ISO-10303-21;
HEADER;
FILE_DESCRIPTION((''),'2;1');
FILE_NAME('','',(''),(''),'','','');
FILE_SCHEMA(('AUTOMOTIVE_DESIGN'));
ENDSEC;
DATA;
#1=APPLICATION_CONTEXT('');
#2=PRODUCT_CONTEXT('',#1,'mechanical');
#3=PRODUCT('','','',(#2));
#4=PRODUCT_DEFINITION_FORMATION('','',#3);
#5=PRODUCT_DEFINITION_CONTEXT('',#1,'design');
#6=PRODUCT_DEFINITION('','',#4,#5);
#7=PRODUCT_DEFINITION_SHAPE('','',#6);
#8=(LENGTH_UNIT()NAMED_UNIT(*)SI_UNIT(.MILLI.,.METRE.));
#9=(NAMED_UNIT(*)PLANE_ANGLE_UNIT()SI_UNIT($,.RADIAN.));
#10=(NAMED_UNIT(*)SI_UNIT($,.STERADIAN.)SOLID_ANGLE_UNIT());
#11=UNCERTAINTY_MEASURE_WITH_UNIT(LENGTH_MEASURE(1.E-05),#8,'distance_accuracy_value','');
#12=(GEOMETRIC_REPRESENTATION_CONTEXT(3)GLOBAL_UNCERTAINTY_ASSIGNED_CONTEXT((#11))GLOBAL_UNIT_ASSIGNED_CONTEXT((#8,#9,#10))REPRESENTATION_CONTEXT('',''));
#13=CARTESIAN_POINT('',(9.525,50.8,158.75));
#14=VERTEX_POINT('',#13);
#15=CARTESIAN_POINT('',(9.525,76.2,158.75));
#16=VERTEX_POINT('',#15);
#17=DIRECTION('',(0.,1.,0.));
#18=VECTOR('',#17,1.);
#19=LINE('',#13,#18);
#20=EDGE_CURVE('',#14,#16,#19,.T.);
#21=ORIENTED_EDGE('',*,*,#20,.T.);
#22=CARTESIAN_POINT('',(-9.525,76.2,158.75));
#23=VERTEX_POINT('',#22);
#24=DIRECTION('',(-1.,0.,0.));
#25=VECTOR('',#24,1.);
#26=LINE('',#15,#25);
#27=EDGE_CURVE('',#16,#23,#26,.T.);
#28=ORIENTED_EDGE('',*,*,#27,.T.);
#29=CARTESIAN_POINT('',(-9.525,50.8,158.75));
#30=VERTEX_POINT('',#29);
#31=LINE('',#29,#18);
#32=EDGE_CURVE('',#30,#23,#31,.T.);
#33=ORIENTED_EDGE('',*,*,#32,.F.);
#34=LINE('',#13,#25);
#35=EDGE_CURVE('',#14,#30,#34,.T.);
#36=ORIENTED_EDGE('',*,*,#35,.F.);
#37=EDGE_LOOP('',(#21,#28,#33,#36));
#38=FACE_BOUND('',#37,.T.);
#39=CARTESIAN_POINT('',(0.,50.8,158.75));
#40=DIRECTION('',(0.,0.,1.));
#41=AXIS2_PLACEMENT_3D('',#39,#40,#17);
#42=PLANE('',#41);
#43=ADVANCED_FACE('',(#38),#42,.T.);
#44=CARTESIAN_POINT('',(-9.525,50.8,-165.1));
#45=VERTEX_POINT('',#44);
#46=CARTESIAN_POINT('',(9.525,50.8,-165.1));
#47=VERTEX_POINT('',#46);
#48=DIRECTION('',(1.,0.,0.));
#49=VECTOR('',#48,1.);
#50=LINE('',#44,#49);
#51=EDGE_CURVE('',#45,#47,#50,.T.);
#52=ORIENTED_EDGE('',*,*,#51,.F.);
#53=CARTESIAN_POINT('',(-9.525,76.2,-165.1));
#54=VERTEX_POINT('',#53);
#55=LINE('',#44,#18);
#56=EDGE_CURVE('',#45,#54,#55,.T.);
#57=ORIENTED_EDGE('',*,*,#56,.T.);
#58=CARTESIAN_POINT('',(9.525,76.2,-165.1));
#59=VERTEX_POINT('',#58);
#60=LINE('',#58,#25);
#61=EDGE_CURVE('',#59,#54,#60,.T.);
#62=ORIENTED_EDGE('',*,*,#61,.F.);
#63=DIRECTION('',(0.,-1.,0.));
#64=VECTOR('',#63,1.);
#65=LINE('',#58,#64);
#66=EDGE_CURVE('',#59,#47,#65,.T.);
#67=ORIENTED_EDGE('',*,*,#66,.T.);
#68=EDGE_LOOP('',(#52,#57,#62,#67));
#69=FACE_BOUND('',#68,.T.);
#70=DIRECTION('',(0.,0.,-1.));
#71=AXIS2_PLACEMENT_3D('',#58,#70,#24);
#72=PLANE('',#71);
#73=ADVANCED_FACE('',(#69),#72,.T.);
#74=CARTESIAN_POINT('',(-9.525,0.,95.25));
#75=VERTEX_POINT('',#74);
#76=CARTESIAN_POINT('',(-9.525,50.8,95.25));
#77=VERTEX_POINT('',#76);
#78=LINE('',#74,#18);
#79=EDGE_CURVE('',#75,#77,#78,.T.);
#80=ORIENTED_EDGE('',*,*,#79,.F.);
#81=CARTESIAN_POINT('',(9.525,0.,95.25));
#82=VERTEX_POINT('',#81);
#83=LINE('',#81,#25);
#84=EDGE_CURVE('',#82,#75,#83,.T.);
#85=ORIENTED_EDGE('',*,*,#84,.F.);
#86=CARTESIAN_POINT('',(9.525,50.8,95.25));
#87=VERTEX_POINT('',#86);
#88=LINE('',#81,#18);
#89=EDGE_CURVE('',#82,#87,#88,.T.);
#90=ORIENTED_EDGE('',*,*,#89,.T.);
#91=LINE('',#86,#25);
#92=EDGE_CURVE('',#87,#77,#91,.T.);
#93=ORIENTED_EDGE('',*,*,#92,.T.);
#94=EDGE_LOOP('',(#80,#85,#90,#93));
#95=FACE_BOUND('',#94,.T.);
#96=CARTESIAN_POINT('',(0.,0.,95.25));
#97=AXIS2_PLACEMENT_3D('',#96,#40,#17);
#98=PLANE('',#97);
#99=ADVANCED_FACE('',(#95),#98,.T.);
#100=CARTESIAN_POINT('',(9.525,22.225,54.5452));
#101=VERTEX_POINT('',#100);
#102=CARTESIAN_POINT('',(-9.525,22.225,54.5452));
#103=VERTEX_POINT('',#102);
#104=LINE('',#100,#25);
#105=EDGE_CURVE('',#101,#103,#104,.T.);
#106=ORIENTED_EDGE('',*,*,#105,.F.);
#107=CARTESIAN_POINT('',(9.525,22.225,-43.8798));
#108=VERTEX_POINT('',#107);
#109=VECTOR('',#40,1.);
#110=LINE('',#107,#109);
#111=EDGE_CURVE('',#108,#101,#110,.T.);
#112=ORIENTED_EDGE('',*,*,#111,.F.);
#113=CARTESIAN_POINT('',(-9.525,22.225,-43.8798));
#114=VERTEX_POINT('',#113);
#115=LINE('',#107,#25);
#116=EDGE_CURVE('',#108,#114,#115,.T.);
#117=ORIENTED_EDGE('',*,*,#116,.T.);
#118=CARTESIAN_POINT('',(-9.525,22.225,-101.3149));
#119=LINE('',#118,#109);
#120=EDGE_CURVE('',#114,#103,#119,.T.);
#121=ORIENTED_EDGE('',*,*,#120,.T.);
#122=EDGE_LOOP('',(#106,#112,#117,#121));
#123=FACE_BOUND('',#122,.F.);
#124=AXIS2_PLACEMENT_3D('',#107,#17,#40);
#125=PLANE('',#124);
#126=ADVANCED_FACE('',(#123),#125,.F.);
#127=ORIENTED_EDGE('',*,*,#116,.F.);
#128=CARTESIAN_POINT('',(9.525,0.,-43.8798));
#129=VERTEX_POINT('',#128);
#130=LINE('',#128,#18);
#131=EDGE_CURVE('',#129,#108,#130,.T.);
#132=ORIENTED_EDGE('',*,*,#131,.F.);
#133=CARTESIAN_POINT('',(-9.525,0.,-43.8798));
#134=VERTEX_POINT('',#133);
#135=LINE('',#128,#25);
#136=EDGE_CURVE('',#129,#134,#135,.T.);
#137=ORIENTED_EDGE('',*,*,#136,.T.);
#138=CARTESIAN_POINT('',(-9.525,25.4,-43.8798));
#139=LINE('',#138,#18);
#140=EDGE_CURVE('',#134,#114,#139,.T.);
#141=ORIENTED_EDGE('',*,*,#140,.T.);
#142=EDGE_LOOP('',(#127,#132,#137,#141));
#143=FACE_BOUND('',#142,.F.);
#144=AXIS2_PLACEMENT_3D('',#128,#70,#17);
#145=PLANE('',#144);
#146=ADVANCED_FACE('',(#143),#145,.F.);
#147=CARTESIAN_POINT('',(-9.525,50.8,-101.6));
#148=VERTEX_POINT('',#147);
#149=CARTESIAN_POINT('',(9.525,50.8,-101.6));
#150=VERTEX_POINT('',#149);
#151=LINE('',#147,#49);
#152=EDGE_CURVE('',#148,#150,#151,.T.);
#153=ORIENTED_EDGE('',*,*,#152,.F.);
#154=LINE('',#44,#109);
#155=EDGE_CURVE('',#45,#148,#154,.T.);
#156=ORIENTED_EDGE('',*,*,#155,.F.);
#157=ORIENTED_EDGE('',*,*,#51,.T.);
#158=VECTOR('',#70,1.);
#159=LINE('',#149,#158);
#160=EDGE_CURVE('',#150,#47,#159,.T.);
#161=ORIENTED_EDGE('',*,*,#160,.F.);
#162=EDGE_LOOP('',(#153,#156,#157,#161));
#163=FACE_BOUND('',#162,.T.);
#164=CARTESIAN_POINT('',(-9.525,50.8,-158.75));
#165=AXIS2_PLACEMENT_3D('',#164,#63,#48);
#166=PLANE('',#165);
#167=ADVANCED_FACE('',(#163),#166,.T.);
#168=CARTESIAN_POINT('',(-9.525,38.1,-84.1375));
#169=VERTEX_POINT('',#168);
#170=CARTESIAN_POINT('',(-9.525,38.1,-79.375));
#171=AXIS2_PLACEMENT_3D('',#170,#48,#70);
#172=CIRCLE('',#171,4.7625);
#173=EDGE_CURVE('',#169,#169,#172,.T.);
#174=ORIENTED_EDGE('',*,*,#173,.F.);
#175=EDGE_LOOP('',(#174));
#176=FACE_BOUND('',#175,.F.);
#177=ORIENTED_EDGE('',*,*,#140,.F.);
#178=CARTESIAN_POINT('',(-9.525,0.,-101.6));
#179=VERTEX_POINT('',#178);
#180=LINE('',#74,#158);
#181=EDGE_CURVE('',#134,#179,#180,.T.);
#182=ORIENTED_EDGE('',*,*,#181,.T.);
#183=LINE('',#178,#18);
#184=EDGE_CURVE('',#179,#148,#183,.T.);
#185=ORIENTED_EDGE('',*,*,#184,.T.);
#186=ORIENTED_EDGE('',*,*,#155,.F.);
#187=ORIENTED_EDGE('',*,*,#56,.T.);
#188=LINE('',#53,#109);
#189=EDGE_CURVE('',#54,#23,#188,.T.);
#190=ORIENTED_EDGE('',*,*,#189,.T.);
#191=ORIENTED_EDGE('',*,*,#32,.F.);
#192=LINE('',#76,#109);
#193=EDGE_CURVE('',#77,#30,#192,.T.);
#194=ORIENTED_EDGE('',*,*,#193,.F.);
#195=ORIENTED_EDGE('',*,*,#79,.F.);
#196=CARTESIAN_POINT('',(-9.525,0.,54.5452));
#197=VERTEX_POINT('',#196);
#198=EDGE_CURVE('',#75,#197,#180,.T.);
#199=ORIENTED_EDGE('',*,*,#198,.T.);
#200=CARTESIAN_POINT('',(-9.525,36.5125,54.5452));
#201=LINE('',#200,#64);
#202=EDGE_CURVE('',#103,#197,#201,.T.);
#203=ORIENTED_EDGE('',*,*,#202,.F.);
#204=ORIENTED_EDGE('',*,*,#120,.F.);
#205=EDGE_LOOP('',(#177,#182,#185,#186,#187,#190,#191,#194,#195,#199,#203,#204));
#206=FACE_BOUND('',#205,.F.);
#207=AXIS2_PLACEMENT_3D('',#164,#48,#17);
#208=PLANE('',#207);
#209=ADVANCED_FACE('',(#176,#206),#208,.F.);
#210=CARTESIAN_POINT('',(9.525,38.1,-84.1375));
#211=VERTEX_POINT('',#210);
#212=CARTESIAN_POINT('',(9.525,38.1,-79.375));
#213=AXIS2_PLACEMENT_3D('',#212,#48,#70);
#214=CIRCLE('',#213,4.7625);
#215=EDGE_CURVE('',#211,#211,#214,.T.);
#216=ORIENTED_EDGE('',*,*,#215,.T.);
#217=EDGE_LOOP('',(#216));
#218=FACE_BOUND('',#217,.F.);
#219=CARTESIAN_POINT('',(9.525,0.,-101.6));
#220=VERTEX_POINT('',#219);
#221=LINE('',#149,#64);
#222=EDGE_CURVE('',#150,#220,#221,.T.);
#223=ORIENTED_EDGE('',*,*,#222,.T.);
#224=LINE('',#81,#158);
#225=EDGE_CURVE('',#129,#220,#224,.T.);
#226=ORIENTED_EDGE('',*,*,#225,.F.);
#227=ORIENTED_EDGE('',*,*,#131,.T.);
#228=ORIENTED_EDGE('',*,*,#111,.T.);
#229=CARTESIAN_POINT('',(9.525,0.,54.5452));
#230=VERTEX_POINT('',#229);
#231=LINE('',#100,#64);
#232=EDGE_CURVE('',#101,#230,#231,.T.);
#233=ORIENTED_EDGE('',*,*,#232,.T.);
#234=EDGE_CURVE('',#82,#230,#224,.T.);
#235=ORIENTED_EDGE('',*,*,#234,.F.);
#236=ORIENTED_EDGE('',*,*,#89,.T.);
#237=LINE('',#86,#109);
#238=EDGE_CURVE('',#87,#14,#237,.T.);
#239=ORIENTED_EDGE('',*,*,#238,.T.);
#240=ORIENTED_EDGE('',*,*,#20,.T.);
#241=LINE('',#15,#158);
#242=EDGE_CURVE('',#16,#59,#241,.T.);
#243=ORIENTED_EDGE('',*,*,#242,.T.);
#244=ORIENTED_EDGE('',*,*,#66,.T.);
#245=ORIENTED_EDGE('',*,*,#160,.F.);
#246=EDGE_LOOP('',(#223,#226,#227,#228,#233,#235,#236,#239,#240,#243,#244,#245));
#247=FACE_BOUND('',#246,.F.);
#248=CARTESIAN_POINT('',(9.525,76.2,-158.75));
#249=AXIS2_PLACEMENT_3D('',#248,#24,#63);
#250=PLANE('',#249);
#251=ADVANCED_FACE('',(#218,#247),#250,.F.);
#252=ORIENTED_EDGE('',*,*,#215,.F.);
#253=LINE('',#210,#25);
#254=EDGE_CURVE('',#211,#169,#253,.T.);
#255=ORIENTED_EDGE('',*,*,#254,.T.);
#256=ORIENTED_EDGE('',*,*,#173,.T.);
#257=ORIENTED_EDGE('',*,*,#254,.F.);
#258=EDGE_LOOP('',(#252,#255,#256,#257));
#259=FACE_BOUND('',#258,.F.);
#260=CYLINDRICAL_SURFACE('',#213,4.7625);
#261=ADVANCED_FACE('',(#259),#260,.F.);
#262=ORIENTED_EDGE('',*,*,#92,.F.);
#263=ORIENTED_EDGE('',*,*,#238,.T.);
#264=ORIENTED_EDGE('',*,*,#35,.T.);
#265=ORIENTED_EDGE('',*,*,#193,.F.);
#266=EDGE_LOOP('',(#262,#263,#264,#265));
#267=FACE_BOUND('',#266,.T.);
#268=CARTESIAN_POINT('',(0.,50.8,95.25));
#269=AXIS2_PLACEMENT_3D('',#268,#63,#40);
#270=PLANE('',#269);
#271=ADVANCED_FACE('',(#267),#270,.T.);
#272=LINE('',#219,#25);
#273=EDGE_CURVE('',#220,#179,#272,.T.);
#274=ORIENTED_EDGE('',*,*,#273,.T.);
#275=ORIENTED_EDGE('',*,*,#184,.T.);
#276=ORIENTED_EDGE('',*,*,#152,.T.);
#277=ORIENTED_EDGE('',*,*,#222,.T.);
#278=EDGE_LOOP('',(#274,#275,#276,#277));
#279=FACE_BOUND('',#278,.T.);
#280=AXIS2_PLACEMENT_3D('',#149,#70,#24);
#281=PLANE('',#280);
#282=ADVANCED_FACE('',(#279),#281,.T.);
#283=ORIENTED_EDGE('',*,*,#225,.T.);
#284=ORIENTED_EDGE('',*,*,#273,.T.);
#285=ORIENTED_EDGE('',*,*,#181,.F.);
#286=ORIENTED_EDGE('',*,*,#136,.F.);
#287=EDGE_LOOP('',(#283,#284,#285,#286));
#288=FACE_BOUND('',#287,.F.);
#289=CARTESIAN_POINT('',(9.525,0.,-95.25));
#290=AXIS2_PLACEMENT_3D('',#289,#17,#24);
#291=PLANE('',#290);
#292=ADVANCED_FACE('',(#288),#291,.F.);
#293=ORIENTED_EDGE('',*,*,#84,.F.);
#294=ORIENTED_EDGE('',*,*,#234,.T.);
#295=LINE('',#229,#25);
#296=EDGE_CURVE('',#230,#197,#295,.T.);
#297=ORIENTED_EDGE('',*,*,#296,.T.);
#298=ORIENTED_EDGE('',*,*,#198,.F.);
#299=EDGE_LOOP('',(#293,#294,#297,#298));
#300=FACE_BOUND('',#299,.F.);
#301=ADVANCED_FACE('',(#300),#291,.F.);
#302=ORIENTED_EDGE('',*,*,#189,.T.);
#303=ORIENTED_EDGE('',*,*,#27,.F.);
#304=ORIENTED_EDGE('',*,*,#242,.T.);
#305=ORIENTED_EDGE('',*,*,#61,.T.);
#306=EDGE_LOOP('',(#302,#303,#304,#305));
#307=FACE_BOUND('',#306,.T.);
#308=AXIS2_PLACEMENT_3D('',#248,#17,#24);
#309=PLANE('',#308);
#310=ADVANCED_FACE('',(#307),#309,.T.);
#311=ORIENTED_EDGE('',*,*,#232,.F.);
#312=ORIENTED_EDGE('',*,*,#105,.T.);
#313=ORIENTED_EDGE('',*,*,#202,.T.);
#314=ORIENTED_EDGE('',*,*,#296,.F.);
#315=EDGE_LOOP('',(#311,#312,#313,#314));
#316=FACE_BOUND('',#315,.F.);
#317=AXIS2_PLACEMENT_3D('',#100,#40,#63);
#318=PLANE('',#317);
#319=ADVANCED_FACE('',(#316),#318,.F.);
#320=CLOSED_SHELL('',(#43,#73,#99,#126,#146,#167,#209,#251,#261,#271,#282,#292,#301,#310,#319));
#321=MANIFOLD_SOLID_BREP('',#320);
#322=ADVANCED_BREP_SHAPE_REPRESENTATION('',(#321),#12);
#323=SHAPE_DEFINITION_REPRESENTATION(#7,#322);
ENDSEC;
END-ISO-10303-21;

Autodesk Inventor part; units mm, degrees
ref_plane "YZ Plane" through (0, 0, 0) normal (1, 0, 0) x (0, 1, 0)
ref_plane "XZ Plane" through (0, 0, 0) normal (0, 1, 0) x (-1, 0, 0)
ref_plane "XY Plane" through (0, 0, 0) normal (0, 0, 1) x (1, 0, 0)
sketch "Sketch2" plane through (0, 0, 0) normal (1, 0, 0) x (0, 1, 0)
  line L0 (0, 0) -> (0, 95.25)
  line L1 (0, 95.25) -> (50.8, 95.25)
  line L2 (50.8, 95.25) -> (50.8, 158.75)
  line L3 (50.8, 158.75) -> (76.2, 158.75)
  line L4 (76.2, 158.75) -> (76.2, 15.0657)
  line L5 (76.2, 15.0657) -> (76.2, 0)
  line L6 (76.2, 0) -> (0, 0) construction
  line L7 (0, 0) -> (0, -95.25)
  line L8 (0, -95.25) -> (50.8, -95.25)
  line L9 (50.8, -95.25) -> (50.8, -158.75)
  line L10 (50.8, -158.75) -> (76.2, -158.75)
  line L11 (76.2, -158.75) -> (76.2, -15.0657)
  line L12 (76.2, -15.0657) -> (76.2, 0)
  dimension "d5" = 50.8
  dimension "d6" = 25.4
  dimension "d8" = 63.5
  dimension "d9" = 95.25
extrude "Extrusion1" add sketch "Sketch2" along normal mid plane 19.05
sketch "Sketch3" plane through (9.525, 50.8, -95.25) normal (0, 0, -1) x (-1, 0, 0)
  line L0 (19.05, 0) -> (19.05, 25.4) projected
  line L1 (0, -50.8) -> (19.05, -50.8)
  line L2 (19.05, -50.8) -> (19.05, 0)
  line L3 (19.05, 0) -> (0, 0)
  line L4 (0, 0) -> (0, -50.8)
  point P0 (9.525, -50.8)
extrude "Extrusion2" add sketch "Sketch3" along normal blind 6.35
sketch "Sketch4" plane through (9.525, 76.2, -158.75) normal (0, 0, -1) x (-1, 0, 0)
  line L0 (0, 0) -> (0, -25.4) projected
  line L1 (19.05, -25.4) -> (19.05, 0) projected
  line L2 (0, 0) -> (19.05, 0)
  line L3 (19.05, 0) -> (19.05, -25.4)
  line L4 (19.05, -25.4) -> (0, -25.4)
  line L5 (0, -25.4) -> (0, 0)
  point P0 (9.525, -76.2)
extrude "Extrusion3" add sketch "Sketch4" along normal blind 6.35
sketch "Sketch6" plane through (9.525, 0, 0) normal (1, 0, 0) x (0, 0, -1)
  line L0 (-95.25, 50.8) -> (-95.25, 0) construction
  line L1 (-95.25, 38.1) -> (101.6, 38.1) construction
  line L2 (101.6, 50.8) -> (101.6, 0) construction
  line L3 (-158.75, 76.2) -> (165.1, 76.2) construction
  circle A0 centre (79.375, 38.1) radius 4.7625
  line L4 (165.1, 76.2) -> (165.1, 50.8) projected
  point P0 (0, 0)
  dimension "d28" = 38.1
  dimension "d29" = 85.725
  dimension "d30" = 9.525
extrude "Extrusion5" cut sketch "Sketch6" against normal through all
sketch "Sketch7" plane through (9.525, 0, 0) normal (1, 0, 0) x (0, 0, -1)
  circle A0 centre (79.375, 38.1) radius 4.7625 projected
  line L0 (-95.25, 0) -> (101.6, 0) projected
  line L1 (-95.25, 0) -> (-95.25, 50.8) projected
  line L2 (-95.25, 50.8) -> (-158.75, 50.8) projected
  line L3 (-158.75, 50.8) -> (-158.75, 76.2) projected
  line L4 (-158.75, 76.2) -> (165.1, 76.2) projected
  line L5 (165.1, 50.8) -> (165.1, 76.2) projected
  line L6 (101.6, 50.8) -> (165.1, 50.8) projected
  line L7 (101.6, 0) -> (101.6, 50.8) projected
  line L8 (-95.25, 0) -> (101.6, 0) projected
  line L9 (-54.5452, 0) -> (43.8798, 0)
  line L10 (43.8798, 0) -> (43.8798, 22.225)
  line L11 (43.8798, 22.225) -> (-54.5452, 22.225)
  line L12 (-54.5452, 22.225) -> (-54.5452, 0)
  point P0 (0, 0)
  dimension "d33" = 98.425
  dimension "d34" = 22.225
extrude "Extrusion6" cut sketch "Sketch7" against normal through all contours L12 L11 L10 L0
properties part number "SpanRearAndMiddleSupport" material "Aluminum 6061"
